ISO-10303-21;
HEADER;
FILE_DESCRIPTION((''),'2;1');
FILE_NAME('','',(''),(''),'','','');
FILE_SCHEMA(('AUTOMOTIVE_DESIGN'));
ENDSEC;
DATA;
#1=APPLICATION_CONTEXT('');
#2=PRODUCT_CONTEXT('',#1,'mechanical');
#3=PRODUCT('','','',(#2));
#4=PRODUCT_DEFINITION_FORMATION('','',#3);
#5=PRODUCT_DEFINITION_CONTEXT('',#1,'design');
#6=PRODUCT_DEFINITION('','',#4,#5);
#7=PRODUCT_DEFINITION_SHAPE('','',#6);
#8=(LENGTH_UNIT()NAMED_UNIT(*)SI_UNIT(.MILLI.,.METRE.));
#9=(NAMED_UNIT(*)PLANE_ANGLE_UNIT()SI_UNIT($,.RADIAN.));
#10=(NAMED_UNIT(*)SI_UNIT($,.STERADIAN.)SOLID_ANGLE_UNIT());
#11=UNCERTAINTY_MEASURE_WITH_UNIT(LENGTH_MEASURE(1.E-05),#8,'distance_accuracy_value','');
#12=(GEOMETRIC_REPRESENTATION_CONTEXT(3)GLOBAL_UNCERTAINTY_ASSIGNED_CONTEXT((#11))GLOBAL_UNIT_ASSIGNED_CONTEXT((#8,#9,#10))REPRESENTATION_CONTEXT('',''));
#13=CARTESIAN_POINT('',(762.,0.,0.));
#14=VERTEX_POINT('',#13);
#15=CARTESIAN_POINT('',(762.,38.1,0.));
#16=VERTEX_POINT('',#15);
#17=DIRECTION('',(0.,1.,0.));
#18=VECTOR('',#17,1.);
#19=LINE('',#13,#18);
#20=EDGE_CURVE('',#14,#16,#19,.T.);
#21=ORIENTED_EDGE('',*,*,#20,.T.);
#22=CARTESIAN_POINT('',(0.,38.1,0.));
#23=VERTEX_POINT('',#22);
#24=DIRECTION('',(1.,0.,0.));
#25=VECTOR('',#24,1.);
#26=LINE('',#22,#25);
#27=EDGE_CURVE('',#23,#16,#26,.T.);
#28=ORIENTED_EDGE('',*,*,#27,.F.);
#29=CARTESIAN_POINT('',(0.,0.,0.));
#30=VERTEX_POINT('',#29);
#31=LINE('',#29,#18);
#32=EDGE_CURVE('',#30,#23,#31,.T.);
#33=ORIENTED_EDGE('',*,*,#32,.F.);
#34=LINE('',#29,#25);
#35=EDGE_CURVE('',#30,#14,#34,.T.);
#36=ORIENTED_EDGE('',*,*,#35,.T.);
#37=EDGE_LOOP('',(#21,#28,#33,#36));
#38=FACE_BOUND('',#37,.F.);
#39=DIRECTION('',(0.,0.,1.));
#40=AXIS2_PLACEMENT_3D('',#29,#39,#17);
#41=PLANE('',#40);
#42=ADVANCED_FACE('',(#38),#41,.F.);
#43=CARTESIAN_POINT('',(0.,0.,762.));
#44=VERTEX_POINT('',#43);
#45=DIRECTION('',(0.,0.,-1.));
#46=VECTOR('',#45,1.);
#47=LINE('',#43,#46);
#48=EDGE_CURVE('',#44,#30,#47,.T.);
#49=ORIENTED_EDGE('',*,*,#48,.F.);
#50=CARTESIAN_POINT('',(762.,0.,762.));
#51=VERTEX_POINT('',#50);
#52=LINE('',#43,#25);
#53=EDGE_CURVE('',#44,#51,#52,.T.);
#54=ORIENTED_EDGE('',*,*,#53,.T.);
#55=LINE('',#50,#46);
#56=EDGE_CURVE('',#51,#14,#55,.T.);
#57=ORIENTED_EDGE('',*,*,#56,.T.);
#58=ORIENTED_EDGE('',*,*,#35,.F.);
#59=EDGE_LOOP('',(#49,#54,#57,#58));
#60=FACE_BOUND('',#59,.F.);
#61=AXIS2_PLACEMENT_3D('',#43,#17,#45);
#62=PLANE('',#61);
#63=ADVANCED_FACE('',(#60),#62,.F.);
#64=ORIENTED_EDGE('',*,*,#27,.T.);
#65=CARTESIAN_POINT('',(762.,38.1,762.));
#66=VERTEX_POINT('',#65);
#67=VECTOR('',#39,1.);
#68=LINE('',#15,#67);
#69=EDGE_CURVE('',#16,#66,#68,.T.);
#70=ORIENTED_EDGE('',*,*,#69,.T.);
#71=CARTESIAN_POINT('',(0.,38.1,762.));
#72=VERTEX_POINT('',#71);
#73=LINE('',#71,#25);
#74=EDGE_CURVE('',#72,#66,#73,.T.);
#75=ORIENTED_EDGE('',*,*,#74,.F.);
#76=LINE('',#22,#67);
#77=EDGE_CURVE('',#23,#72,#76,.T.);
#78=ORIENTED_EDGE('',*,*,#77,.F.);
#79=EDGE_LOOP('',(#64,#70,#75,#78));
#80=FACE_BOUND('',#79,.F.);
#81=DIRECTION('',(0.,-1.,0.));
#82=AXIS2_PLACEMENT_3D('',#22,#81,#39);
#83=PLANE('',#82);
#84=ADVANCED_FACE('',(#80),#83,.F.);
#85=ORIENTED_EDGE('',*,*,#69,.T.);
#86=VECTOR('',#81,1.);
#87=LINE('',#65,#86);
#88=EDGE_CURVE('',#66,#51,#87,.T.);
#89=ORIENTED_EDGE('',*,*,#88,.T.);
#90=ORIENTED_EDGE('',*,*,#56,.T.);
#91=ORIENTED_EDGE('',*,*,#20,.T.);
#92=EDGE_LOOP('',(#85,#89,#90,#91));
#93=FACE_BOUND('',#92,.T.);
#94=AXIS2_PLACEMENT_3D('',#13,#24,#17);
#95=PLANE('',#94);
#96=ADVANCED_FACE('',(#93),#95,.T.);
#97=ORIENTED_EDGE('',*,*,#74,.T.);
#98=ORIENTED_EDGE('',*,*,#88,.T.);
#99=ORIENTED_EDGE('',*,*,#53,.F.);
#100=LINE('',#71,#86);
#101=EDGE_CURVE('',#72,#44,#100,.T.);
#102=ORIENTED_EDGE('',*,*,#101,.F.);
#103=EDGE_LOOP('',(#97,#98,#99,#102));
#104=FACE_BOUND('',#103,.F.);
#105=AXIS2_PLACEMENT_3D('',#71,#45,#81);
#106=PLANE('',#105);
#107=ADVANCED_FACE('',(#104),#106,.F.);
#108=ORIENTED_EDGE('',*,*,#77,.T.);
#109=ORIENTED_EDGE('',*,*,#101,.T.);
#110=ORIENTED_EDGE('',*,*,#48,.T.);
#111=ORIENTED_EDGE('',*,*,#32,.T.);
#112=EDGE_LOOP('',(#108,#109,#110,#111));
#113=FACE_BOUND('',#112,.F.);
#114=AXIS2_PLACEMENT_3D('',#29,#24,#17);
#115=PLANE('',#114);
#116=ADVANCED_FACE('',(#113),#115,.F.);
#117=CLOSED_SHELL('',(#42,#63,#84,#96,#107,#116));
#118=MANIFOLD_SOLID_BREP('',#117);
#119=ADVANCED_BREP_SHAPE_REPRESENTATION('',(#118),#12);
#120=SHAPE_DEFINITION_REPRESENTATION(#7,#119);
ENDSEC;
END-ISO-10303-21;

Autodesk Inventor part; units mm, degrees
ref_plane "YZ Plane" through (0, 0, 0) normal (1, 0, 0) x (0, 1, 0)
ref_plane "XZ Plane" through (0, 0, 0) normal (0, 1, 0) x (-1, 0, 0)
ref_plane "XY Plane" through (0, 0, 0) normal (0, 0, 1) x (1, 0, 0)
sketch "Sketch1" plane through (0, 0, 0) normal (1, 0, 0) x (0, 1, 0)
  line L0 (0, 0) -> (38.1, 0)
  line L1 (38.1, 0) -> (38.1, 762)
  line L2 (38.1, 762) -> (0, 762)
  line L3 (0, 762) -> (0, 0)
  dimension "d0" = 38.1
  dimension "d1" = 762
extrude "Extrusion1" add sketch "Sketch1" along normal blind 762
properties part number "1.5x30x30-14" material "Granite, Cut, Polished"
